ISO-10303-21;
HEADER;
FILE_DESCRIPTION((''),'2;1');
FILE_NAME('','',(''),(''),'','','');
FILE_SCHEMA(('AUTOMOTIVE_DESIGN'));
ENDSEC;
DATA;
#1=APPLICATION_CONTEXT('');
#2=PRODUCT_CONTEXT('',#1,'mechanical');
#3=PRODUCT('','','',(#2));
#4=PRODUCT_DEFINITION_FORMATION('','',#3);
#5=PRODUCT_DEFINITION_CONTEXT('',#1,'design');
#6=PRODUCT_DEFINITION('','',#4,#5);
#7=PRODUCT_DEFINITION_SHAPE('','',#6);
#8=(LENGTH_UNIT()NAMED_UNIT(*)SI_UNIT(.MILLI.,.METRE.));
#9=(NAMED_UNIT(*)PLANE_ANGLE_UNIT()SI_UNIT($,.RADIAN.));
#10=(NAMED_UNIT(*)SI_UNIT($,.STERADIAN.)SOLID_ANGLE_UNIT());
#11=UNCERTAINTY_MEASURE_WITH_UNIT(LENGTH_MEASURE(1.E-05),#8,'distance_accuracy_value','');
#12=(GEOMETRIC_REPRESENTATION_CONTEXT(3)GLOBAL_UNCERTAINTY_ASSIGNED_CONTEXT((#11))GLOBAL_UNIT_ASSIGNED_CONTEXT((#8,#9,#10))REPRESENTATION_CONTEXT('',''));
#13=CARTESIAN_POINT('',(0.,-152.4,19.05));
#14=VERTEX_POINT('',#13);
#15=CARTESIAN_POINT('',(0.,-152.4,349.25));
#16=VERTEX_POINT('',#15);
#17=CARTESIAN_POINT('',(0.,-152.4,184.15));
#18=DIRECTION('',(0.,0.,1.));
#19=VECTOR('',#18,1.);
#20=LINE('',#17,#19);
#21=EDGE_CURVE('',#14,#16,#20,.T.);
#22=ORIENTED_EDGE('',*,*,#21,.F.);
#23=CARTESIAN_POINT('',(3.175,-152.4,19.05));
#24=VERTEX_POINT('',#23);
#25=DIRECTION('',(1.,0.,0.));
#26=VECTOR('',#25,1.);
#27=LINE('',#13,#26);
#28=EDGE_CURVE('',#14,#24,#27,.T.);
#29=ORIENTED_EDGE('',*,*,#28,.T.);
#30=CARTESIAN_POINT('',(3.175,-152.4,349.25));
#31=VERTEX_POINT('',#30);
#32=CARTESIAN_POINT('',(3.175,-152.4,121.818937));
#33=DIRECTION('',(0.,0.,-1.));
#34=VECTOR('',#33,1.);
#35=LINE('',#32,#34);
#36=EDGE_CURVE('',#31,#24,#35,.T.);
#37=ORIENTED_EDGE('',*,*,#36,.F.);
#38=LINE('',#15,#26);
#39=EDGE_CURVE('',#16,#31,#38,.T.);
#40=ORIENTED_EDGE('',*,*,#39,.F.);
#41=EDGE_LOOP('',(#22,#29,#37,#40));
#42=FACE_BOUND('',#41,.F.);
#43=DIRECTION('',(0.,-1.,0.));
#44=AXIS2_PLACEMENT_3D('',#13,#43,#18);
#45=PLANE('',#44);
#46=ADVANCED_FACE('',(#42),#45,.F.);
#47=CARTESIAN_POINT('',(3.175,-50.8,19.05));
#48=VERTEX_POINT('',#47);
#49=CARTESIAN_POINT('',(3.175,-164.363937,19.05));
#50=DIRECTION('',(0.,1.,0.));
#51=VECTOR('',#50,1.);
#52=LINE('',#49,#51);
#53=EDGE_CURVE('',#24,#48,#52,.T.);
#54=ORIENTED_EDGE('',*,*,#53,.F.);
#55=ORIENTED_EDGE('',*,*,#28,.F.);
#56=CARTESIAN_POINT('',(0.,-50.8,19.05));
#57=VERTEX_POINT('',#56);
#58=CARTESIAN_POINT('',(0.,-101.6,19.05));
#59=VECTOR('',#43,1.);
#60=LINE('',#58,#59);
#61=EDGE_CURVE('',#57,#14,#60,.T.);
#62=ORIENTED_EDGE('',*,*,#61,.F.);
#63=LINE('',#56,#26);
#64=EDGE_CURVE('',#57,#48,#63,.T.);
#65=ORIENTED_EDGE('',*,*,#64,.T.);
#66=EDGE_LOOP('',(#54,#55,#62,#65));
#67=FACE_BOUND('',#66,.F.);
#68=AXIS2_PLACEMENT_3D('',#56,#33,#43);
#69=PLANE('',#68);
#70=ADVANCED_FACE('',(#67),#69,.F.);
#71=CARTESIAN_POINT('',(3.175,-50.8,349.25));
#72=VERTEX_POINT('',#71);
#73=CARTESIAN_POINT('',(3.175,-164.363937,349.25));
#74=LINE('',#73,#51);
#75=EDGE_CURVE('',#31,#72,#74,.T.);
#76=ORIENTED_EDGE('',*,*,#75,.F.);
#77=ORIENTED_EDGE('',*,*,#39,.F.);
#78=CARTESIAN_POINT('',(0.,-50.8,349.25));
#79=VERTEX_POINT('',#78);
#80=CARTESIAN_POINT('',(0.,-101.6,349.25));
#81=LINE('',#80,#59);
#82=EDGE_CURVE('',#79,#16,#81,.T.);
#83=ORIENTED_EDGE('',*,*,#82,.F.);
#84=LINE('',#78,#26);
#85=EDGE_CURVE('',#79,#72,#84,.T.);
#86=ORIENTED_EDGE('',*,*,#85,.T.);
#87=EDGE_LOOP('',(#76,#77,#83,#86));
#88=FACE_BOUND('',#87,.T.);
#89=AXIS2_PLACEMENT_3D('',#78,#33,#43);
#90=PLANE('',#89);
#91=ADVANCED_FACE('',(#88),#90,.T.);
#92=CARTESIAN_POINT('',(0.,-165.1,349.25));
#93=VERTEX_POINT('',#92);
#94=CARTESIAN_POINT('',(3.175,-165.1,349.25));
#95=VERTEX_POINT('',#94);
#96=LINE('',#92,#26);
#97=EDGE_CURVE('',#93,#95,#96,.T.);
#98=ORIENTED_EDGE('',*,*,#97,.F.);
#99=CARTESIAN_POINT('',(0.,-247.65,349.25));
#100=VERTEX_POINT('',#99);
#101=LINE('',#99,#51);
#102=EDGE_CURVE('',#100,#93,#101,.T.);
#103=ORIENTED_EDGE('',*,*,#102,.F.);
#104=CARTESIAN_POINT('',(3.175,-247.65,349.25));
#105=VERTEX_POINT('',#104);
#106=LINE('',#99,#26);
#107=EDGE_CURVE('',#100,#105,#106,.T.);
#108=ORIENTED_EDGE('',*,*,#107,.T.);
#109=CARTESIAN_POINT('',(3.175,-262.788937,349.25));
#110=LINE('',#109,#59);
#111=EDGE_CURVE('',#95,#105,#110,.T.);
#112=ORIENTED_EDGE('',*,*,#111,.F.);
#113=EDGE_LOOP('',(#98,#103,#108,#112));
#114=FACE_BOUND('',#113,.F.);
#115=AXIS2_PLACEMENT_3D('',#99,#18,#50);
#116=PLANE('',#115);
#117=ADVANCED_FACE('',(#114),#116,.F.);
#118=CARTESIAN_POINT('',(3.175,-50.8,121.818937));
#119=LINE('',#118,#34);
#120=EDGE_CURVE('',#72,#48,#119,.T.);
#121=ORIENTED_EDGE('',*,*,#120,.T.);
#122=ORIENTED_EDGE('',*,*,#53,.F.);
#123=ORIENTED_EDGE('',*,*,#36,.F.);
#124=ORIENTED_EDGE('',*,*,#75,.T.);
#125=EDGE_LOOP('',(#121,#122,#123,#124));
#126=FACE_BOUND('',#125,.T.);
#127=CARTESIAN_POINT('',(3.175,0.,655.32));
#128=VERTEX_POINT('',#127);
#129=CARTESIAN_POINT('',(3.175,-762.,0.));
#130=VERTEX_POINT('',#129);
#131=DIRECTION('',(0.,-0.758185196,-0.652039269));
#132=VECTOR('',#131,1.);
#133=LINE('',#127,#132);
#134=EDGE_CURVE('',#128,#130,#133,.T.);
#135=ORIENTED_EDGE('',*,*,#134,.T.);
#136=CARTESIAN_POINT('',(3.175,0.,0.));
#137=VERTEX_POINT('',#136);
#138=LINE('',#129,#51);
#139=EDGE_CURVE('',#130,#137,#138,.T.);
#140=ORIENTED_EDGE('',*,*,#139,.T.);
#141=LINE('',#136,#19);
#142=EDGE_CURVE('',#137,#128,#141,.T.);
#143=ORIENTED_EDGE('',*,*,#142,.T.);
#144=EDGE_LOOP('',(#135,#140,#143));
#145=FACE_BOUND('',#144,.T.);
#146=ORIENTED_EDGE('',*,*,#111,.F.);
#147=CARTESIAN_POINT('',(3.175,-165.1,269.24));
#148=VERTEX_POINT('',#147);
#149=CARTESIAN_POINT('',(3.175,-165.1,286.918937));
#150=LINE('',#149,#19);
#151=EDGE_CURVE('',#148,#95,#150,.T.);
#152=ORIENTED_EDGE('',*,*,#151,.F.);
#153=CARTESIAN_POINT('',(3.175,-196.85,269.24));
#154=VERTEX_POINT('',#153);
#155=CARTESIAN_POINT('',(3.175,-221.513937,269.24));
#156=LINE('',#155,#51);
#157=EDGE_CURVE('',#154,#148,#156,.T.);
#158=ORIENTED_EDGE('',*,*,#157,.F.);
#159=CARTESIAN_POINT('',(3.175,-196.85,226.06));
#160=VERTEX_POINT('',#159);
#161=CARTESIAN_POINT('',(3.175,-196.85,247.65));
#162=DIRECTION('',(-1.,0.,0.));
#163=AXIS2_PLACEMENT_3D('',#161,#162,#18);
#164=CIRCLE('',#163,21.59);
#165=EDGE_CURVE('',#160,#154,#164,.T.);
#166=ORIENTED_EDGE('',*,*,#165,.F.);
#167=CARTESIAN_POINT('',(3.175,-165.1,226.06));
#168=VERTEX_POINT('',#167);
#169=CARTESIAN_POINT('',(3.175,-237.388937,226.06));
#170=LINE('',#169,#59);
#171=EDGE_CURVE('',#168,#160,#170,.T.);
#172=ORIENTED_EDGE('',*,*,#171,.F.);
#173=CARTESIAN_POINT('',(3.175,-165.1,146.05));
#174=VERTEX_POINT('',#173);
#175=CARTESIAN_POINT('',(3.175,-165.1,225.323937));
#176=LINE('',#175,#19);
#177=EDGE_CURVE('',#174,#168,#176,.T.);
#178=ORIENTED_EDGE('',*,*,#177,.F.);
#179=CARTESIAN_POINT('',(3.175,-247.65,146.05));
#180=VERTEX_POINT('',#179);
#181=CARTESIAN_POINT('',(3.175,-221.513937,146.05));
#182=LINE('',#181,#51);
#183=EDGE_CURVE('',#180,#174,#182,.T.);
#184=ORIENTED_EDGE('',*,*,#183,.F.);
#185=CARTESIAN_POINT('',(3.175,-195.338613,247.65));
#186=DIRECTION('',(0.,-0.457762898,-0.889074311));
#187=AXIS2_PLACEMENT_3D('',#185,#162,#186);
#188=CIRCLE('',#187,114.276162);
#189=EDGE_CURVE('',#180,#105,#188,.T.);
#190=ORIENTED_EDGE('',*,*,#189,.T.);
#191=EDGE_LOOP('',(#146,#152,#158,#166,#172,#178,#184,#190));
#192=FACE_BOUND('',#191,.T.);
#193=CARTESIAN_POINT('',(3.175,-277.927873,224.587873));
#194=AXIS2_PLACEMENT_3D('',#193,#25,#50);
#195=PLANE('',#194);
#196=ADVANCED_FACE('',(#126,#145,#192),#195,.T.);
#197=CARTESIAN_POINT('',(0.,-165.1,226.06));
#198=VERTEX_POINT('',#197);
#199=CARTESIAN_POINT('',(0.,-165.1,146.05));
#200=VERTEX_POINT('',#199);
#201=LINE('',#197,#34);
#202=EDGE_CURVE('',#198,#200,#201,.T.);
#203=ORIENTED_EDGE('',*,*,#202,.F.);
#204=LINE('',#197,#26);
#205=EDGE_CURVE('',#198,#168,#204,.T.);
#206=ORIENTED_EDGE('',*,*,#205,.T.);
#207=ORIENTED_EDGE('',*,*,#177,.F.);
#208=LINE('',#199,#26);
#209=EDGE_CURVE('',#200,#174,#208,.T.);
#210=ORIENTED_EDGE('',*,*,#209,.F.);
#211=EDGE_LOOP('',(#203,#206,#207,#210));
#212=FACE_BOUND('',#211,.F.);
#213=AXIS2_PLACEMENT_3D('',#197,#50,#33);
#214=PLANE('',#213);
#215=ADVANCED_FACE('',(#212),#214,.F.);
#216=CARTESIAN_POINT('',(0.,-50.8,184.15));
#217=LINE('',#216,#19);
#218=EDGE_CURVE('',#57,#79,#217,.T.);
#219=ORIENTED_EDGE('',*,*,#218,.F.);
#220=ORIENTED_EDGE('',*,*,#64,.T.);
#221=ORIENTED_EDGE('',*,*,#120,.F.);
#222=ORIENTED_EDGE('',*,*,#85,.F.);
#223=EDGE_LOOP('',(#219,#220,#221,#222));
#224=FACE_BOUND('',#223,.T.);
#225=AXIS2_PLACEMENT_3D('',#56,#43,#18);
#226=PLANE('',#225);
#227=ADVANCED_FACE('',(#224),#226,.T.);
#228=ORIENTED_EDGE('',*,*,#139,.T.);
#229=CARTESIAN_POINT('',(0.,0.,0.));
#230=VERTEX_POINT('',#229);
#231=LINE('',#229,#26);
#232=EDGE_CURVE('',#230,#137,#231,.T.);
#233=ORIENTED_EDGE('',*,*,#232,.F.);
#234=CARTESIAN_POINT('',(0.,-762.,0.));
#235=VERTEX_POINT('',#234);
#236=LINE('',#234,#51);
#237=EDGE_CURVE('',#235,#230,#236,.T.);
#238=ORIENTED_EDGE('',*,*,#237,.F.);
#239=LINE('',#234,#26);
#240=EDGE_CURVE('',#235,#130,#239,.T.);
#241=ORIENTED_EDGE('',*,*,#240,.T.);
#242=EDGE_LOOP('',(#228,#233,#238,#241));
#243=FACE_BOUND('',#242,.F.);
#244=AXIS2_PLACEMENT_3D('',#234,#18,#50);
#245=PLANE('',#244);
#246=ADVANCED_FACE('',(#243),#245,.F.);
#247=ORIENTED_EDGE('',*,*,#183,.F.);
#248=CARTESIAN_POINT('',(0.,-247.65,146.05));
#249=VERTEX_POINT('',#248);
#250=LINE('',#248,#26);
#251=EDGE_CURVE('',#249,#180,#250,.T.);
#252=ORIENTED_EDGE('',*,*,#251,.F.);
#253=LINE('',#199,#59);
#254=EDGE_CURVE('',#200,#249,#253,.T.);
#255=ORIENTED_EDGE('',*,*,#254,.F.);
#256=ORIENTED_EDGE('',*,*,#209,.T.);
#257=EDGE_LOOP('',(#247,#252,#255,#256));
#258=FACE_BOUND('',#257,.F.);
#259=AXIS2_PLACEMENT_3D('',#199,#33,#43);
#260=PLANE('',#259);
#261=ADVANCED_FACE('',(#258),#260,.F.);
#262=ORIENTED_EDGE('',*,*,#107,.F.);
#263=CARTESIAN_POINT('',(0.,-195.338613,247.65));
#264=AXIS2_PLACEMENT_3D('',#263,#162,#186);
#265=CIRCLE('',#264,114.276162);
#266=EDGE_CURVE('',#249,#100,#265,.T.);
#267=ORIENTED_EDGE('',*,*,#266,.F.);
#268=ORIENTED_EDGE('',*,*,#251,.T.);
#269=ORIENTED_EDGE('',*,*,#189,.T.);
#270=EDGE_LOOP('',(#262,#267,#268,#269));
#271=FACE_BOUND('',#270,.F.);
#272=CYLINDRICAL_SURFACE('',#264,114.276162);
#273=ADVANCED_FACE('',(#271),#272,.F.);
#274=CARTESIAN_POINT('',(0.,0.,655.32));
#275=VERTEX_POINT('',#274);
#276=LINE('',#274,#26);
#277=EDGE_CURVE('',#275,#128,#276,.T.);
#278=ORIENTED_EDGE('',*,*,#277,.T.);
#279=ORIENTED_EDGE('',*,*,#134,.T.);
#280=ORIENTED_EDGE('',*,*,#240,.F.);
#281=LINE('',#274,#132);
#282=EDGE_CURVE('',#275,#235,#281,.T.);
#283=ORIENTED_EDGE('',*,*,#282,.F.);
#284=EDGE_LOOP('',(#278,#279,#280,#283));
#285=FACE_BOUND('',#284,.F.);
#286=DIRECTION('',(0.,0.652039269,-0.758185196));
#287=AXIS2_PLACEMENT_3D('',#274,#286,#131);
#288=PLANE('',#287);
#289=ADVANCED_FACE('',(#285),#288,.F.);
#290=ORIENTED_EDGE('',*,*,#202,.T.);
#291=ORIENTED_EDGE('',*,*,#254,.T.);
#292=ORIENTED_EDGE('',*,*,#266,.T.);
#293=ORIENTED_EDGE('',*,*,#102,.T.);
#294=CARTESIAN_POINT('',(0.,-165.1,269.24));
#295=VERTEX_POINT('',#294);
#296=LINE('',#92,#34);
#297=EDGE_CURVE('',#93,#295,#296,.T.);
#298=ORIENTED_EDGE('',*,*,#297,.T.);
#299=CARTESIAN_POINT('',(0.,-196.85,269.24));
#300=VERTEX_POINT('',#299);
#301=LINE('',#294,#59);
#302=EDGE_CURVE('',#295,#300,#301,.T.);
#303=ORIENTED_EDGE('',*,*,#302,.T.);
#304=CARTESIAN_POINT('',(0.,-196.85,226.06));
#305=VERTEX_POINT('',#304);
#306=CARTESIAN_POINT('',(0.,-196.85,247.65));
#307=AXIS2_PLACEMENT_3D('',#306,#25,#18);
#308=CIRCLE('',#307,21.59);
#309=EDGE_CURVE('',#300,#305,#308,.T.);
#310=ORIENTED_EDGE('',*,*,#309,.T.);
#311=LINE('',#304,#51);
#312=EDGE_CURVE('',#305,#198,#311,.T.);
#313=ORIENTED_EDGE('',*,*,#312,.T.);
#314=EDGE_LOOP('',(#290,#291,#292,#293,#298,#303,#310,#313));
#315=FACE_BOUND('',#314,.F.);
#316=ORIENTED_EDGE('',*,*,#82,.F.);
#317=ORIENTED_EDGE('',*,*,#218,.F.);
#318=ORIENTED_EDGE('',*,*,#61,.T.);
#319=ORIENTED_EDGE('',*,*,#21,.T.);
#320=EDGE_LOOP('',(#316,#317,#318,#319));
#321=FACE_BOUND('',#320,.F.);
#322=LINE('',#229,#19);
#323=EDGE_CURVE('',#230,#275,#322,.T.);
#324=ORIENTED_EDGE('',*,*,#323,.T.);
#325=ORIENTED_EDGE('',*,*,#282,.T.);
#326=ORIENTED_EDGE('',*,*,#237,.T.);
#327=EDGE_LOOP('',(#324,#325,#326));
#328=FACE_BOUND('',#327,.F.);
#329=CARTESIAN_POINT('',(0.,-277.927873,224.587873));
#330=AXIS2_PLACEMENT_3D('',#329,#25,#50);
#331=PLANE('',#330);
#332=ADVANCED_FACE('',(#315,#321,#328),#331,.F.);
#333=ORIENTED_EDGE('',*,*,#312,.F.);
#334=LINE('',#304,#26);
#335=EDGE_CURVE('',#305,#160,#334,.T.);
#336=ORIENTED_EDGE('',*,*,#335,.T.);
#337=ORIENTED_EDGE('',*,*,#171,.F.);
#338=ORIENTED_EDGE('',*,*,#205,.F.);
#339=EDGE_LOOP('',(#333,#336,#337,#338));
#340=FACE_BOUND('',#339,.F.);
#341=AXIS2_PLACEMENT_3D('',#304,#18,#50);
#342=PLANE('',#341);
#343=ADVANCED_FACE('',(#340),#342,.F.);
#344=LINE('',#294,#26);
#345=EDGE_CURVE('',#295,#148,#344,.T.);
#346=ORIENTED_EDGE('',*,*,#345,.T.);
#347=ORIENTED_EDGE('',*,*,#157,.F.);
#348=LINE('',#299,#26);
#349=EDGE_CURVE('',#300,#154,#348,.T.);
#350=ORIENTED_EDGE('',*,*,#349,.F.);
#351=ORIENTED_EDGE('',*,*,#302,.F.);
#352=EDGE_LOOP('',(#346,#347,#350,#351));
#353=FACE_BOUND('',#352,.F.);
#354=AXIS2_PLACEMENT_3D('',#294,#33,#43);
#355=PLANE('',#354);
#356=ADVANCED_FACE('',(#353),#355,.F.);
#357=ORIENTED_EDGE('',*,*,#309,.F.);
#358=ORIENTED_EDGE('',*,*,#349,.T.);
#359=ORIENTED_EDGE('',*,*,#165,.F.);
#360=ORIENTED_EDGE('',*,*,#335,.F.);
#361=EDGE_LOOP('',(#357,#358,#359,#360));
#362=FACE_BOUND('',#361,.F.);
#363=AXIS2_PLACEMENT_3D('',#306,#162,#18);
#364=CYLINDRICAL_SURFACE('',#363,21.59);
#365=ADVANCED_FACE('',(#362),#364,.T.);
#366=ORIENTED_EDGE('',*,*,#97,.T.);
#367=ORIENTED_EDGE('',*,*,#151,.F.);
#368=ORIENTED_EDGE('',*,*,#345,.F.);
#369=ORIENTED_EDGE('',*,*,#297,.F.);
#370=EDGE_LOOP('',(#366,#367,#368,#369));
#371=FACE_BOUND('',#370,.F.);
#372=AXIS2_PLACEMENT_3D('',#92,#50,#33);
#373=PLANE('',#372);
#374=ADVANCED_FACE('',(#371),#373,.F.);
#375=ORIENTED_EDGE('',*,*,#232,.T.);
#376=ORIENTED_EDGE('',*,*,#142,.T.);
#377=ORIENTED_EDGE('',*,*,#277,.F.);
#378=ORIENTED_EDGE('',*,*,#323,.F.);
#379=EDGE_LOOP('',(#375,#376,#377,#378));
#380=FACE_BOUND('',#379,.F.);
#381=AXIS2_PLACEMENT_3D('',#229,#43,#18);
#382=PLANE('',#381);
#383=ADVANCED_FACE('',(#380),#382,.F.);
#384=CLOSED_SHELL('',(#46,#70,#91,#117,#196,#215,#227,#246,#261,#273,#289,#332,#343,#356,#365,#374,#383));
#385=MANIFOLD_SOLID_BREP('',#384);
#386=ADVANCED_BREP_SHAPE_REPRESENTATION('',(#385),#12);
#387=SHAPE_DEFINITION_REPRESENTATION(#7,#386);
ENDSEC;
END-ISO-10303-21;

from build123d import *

# Parameters (mm, degrees)
F1_DEPTH = 3.175
F2_W     = 101.6
F2_H     = 330.2
F3_DEPTH = 25.4


with BuildPart() as f1:
    # F0 (on Right) → F1 (new body)
    with BuildSketch(Plane.YZ):
        Polygon((-762, 0), (0, 0), (0, 655.32), align=None)
    extrude(amount=F1_DEPTH)

    # F2 (on face) → F3 (cut)
    with BuildSketch(Plane(origin=(0, 0, 0), x_dir=(0, -1, 0), z_dir=(-1, 0, 0))):
        with BuildLine():
            Line((165.1, 146.05), (247.65, 146.05))
            ThreePointArc((247.65, 146.05), (309.614775, 247.65), (247.65, 349.25))
            Line((247.65, 349.25), (165.1, 349.25))
            Line((165.1, 349.25), (165.1, 269.24))
            Line((165.1, 269.24), (196.85, 269.24))
            ThreePointArc((196.85, 269.24), (218.44, 247.65), (196.85, 226.06))
            Line((196.85, 226.06), (165.1, 226.06))
            Line((165.1, 226.06), (165.1, 146.05))
        make_face()
        with Locations((101.6, 184.15)):
            Rectangle(F2_W, F2_H)
    extrude(amount=-F3_DEPTH, mode=Mode.SUBTRACT)


solid = f1.part
